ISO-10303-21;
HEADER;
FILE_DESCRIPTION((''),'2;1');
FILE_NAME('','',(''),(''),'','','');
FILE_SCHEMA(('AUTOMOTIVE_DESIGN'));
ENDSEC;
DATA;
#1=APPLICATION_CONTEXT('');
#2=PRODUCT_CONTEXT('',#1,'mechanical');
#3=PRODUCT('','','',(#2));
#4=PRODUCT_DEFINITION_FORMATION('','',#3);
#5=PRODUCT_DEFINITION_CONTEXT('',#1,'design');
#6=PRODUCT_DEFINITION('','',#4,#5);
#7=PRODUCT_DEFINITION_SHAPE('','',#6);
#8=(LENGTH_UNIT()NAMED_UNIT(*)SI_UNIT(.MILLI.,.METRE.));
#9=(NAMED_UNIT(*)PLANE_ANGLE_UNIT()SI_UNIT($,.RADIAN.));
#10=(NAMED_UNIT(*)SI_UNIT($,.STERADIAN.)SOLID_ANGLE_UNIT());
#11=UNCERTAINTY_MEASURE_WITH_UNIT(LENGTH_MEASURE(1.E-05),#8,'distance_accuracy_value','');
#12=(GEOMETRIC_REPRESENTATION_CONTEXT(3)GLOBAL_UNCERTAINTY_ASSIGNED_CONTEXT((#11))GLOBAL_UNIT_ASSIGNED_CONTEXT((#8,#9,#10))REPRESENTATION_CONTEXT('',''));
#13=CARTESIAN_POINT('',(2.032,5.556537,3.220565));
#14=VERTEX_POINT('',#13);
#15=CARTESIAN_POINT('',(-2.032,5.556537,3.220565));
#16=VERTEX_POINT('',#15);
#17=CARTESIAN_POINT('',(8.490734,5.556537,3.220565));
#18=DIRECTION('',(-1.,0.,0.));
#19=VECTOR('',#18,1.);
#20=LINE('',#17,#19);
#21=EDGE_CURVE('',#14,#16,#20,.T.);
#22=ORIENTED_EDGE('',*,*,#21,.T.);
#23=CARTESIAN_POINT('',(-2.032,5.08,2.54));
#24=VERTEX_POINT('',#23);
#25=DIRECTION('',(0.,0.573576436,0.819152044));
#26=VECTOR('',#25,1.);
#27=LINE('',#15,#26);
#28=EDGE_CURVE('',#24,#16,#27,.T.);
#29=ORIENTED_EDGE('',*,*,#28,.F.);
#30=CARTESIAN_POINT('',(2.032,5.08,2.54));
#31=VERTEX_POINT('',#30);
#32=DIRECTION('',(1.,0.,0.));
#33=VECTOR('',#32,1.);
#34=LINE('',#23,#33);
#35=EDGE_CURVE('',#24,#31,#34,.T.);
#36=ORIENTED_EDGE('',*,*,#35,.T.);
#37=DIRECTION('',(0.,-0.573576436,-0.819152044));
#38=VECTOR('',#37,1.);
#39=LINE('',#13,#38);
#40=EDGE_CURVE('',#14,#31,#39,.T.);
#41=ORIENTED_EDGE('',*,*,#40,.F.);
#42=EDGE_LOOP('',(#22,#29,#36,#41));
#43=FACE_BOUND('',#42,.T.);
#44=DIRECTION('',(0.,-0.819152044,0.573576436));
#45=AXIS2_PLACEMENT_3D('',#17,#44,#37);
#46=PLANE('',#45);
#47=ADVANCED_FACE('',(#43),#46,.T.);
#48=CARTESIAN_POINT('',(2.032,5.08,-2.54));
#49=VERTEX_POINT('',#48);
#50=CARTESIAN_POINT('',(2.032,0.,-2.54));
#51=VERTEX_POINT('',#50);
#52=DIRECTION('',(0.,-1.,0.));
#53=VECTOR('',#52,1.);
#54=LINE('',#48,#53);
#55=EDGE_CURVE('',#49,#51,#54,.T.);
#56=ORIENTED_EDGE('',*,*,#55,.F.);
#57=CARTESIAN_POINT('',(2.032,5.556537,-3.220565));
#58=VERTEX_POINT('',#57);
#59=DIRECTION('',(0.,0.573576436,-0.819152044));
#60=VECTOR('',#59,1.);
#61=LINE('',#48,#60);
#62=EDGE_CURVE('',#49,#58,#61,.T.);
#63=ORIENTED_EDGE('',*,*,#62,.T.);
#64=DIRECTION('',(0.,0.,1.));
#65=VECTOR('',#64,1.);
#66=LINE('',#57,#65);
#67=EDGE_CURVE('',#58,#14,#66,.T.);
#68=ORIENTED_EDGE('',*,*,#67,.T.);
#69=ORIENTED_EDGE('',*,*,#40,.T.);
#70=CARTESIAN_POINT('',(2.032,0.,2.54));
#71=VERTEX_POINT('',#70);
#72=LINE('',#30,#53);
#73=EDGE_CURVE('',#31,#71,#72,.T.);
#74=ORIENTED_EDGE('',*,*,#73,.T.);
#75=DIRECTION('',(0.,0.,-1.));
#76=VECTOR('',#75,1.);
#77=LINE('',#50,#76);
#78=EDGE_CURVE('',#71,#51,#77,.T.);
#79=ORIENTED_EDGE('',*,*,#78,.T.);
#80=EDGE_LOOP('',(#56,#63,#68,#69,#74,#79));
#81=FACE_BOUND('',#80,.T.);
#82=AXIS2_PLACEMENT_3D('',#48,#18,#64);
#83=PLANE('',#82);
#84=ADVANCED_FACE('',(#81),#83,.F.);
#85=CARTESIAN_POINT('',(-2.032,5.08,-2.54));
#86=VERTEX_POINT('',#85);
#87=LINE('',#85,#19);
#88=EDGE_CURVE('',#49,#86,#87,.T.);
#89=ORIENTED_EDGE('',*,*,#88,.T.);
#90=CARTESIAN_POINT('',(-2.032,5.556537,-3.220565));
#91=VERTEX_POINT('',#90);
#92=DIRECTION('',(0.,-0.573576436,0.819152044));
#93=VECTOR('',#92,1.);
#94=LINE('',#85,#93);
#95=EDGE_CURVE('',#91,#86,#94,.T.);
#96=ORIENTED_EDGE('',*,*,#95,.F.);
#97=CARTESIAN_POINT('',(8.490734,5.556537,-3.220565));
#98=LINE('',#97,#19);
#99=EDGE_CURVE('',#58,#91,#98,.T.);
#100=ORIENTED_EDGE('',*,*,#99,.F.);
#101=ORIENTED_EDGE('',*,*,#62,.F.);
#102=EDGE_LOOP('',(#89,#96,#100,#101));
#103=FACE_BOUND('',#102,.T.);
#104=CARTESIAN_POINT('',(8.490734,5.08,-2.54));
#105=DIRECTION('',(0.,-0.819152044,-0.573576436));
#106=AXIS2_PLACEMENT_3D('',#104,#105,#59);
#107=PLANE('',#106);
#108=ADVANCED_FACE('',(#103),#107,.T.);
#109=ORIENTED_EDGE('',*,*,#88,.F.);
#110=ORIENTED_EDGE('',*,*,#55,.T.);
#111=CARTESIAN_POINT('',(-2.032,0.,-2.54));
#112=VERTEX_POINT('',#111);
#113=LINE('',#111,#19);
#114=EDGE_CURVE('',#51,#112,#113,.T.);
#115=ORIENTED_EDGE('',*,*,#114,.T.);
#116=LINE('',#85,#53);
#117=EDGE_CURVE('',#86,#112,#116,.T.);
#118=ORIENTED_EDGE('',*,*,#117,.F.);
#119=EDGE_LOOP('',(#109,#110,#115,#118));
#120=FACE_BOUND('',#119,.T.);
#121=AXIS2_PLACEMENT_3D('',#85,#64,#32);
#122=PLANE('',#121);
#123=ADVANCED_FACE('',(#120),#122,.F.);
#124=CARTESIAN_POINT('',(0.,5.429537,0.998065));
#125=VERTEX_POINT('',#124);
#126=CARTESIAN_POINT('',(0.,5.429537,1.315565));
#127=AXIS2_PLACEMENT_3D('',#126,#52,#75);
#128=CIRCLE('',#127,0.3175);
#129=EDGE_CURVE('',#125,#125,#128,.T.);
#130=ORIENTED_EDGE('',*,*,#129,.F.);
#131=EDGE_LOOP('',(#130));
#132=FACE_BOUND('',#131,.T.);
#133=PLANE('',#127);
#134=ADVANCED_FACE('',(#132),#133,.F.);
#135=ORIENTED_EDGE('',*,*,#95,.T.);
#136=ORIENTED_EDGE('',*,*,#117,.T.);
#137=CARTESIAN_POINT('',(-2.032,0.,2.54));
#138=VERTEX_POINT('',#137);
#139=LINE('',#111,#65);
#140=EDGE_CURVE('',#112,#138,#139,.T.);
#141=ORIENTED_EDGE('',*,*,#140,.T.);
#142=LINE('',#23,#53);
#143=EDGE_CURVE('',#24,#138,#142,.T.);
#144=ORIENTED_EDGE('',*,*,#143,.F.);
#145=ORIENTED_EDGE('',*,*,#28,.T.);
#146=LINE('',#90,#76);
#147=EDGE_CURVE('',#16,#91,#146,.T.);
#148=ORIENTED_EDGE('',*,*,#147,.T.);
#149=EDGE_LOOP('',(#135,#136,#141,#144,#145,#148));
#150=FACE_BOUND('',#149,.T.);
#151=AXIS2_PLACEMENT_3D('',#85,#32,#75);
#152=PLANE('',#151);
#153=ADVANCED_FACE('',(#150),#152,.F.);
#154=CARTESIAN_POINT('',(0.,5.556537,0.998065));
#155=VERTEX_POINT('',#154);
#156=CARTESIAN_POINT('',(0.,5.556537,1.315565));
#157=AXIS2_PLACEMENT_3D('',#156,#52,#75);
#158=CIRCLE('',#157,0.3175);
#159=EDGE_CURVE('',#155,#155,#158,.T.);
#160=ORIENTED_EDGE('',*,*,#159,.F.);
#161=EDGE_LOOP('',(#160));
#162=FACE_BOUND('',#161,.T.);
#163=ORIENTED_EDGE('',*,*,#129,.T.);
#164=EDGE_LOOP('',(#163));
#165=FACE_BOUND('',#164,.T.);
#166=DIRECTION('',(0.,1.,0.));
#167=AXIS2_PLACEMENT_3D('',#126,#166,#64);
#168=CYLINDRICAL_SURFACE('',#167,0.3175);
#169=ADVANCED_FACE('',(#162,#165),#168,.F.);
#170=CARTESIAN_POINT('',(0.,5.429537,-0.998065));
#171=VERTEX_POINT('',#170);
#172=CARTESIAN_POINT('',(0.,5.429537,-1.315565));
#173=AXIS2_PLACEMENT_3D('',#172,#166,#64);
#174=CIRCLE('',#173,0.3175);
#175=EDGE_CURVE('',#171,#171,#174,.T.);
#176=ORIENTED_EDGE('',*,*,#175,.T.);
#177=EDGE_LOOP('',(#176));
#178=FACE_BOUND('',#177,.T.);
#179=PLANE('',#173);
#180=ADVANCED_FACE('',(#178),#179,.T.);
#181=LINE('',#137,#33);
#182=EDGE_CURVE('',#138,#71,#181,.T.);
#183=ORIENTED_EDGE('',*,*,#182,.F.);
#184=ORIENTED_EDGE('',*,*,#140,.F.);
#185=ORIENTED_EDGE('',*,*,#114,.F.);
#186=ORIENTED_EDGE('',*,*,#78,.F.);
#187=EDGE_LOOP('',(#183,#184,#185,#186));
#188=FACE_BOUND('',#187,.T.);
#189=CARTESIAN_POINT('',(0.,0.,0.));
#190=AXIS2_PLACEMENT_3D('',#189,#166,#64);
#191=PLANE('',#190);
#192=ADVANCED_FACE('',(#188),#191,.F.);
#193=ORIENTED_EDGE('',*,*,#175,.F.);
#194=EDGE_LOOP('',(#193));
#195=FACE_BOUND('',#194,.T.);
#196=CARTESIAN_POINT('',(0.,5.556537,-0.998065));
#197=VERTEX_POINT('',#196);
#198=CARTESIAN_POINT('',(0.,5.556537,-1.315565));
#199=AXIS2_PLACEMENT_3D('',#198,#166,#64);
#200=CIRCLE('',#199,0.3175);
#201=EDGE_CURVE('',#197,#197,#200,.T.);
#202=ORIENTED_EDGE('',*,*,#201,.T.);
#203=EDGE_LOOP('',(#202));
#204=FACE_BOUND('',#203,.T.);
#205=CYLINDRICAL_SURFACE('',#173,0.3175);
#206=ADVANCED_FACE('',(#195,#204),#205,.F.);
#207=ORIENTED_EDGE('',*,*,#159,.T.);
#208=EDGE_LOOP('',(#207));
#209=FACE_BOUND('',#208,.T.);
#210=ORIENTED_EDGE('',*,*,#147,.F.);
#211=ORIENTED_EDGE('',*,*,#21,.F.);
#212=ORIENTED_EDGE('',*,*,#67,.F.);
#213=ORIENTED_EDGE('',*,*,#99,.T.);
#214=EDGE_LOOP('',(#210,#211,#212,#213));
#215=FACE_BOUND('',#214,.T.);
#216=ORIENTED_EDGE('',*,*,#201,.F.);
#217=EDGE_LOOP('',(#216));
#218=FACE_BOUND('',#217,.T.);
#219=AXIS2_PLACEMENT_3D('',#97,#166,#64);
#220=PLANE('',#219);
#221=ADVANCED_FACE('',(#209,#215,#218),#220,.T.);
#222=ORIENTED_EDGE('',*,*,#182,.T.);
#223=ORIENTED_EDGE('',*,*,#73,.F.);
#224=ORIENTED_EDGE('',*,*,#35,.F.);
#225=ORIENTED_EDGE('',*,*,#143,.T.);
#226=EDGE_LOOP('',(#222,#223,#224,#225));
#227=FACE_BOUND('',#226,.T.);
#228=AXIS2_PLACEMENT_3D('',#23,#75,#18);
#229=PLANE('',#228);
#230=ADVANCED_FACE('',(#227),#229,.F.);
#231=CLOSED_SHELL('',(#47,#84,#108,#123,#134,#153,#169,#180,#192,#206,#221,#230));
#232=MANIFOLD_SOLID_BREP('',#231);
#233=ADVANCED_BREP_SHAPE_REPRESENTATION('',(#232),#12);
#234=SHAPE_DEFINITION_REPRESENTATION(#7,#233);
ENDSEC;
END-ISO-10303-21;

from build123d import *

# Parameters (mm, degrees)
SKETCH1_W           = 4.064
SKETCH1_H           = 5.08
BOSS_EXTRUDE1_DEPTH = 5.08
BOSS_EXTRUDE3_DEPTH = 4.064
SKETCH5_R           = 0.3175
CUT_EXTRUDE2_DEPTH  = 0.127


with BuildPart() as part:
    # Sketch1 → Boss-Extrude1 (new body)
    with BuildSketch(Plane(origin=(0, 0, 0), x_dir=(1, 0, 0), z_dir=(0, 1, 0))):
        Rectangle(SKETCH1_W, SKETCH1_H)
    extrude(amount=BOSS_EXTRUDE1_DEPTH)

    # Sketch4 → Boss-Extrude3 (add)
    with BuildSketch(Plane.ZY.offset(2.032)):
        Polygon((-2.54, 5.08), (-3.220564847, 5.556536636), (3.220564847, 5.556536636), (2.54, 5.08), align=None)
    extrude(amount=-BOSS_EXTRUDE3_DEPTH)

    # Sketch5 → Cut-Extrude2 (cut)
    with BuildSketch(Plane(origin=(0, 5.556536636, 0), x_dir=(1, 0, 0), z_dir=(0, 1, 0))):
        with Locations(Location((0, 1.315564847, 0), (0, 0, 270))):
            Circle(SKETCH5_R)
        with Locations(Location((0, -1.315564847, 0), (0, 0, 90))):
            Circle(SKETCH5_R)
    extrude(amount=-CUT_EXTRUDE2_DEPTH, mode=Mode.SUBTRACT)


solid = part.part
